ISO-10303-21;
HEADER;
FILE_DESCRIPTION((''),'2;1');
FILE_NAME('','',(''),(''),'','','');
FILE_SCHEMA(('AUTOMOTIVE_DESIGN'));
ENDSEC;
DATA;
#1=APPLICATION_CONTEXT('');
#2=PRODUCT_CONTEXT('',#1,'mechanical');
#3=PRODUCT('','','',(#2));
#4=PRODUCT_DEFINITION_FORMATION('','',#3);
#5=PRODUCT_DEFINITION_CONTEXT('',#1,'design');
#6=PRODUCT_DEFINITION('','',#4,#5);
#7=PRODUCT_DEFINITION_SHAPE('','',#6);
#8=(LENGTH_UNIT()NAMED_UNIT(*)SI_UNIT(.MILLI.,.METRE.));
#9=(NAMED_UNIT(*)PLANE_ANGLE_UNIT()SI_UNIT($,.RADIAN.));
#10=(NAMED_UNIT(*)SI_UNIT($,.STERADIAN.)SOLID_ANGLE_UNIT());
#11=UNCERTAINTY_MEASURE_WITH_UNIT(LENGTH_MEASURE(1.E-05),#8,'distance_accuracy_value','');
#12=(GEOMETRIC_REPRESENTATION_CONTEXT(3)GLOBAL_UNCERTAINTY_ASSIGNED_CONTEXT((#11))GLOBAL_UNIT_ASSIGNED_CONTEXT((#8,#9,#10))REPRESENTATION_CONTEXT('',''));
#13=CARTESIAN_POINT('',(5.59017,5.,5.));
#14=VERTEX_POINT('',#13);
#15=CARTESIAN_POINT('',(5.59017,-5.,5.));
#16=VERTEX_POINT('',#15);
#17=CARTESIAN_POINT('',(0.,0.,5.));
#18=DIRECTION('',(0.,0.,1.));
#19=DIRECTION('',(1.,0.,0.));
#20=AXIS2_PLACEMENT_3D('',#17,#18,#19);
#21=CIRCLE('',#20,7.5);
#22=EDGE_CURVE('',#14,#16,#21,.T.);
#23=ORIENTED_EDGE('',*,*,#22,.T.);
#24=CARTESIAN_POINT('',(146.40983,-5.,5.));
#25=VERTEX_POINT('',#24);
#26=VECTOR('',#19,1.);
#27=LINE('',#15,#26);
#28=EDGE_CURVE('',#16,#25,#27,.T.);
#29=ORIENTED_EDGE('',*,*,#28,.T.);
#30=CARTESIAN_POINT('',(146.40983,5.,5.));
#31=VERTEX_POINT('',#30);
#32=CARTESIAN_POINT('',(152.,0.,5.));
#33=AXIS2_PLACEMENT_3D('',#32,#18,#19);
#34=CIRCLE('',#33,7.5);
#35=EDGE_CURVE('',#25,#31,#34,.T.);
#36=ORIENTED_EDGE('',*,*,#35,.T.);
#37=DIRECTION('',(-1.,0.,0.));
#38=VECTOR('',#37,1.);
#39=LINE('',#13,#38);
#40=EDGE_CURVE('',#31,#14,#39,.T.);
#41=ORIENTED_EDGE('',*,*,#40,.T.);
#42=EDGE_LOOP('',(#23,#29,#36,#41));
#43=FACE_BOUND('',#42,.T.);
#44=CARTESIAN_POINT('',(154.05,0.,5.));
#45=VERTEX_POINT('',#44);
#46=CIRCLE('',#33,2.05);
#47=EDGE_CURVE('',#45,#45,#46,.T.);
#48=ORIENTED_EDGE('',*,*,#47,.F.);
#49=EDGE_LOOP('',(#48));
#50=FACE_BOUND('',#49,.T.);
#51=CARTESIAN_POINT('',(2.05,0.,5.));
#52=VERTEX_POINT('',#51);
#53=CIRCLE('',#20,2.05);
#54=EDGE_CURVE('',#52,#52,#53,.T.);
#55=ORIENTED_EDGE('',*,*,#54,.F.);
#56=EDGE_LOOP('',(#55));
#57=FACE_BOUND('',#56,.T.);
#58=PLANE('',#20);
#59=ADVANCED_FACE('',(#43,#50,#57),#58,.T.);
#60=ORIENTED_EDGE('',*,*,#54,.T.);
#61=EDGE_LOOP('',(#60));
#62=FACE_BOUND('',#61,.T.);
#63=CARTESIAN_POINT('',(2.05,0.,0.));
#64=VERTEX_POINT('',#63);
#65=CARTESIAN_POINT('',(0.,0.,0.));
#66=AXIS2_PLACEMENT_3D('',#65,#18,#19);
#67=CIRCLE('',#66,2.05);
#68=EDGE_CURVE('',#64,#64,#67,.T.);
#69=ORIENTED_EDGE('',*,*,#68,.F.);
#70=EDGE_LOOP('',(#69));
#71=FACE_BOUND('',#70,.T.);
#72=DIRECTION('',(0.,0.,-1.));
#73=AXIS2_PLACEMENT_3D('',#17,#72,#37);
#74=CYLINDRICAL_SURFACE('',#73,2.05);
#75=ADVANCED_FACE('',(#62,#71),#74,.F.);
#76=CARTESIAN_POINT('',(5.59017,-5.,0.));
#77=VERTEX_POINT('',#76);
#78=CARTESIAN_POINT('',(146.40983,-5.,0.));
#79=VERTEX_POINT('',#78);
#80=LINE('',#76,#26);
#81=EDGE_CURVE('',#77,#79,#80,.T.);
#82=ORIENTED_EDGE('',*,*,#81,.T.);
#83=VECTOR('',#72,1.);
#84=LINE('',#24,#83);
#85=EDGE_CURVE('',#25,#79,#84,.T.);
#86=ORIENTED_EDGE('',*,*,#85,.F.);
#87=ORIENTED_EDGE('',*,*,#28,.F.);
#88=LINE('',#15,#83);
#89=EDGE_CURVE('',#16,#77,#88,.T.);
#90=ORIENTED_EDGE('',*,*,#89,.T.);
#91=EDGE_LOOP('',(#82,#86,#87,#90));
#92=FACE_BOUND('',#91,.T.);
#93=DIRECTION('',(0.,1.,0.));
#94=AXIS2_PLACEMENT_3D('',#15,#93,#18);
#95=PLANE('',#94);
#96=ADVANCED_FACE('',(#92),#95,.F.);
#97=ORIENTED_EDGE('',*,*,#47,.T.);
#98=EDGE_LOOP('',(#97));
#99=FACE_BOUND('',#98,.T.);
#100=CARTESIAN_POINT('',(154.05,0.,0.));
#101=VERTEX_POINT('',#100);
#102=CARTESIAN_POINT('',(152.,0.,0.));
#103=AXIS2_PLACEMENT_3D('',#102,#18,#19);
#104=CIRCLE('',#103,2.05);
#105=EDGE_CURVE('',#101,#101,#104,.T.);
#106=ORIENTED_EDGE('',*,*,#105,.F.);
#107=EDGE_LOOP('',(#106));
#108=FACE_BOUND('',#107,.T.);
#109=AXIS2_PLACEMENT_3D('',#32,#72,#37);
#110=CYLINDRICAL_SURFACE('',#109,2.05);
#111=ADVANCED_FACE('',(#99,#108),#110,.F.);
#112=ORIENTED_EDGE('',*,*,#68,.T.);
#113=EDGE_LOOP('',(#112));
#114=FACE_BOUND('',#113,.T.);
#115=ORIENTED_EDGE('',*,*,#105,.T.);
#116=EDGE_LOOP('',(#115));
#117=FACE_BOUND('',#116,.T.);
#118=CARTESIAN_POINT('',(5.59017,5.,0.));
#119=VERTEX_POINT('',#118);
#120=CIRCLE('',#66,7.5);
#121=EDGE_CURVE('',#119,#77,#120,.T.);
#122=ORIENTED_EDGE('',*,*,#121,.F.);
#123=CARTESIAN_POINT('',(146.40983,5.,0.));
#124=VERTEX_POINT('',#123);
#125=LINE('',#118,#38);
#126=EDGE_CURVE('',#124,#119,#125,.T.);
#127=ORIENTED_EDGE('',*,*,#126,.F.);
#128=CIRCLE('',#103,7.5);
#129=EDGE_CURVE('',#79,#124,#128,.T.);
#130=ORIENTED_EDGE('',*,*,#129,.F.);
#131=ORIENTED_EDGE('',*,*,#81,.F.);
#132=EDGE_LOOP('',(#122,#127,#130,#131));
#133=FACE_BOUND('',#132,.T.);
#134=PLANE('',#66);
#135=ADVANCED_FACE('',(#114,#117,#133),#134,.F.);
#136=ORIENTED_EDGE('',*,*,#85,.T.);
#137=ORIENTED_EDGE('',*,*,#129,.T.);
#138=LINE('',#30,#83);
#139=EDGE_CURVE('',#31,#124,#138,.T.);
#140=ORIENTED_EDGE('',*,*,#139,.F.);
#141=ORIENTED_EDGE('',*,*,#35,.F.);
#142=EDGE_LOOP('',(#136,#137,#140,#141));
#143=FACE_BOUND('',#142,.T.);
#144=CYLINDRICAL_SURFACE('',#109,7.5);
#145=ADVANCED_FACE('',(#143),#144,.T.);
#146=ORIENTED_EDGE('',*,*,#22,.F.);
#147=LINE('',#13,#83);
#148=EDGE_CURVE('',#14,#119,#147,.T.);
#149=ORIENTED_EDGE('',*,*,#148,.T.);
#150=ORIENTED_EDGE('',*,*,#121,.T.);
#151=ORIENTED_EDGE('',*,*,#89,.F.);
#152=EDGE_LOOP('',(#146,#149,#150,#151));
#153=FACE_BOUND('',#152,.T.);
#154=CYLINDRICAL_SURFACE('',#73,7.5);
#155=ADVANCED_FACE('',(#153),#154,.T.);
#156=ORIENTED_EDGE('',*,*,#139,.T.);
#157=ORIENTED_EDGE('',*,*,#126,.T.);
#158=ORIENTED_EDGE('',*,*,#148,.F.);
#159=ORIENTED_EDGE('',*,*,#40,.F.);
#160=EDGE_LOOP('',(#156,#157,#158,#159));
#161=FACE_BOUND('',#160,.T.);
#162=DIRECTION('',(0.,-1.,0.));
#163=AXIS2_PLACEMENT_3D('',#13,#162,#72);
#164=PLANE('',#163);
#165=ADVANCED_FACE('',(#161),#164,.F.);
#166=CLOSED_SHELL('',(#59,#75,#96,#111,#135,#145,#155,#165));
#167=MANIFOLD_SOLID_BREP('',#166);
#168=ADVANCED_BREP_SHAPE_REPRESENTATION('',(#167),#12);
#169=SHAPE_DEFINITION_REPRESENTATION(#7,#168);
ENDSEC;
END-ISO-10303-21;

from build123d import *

# Parameters (mm, degrees)
SCHIZZO1_R                   = 2.05
ESTRUSIONE_ESTRUSIONE1_DEPTH = 5


with BuildPart() as part:
    # Schizzo1 → Estrusione-Estrusione1 (new body)
    with BuildSketch(Plane.XY):
        with BuildLine():
            Line((5.590169944, -5), (146.409830056, -5))
            ThreePointArc((146.409830056, -5), (159.5, 0), (146.409830056, 5))
            Line((146.409830056, 5), (5.590169944, 5))
            ThreePointArc((5.590169944, 5), (-7.5, 0), (5.590169944, -5))
        make_face()
        Circle(SCHIZZO1_R, mode=Mode.SUBTRACT)
        with Locations((152, 0)):
            Circle(SCHIZZO1_R, mode=Mode.SUBTRACT)
    extrude(amount=ESTRUSIONE_ESTRUSIONE1_DEPTH)


solid = part.part
